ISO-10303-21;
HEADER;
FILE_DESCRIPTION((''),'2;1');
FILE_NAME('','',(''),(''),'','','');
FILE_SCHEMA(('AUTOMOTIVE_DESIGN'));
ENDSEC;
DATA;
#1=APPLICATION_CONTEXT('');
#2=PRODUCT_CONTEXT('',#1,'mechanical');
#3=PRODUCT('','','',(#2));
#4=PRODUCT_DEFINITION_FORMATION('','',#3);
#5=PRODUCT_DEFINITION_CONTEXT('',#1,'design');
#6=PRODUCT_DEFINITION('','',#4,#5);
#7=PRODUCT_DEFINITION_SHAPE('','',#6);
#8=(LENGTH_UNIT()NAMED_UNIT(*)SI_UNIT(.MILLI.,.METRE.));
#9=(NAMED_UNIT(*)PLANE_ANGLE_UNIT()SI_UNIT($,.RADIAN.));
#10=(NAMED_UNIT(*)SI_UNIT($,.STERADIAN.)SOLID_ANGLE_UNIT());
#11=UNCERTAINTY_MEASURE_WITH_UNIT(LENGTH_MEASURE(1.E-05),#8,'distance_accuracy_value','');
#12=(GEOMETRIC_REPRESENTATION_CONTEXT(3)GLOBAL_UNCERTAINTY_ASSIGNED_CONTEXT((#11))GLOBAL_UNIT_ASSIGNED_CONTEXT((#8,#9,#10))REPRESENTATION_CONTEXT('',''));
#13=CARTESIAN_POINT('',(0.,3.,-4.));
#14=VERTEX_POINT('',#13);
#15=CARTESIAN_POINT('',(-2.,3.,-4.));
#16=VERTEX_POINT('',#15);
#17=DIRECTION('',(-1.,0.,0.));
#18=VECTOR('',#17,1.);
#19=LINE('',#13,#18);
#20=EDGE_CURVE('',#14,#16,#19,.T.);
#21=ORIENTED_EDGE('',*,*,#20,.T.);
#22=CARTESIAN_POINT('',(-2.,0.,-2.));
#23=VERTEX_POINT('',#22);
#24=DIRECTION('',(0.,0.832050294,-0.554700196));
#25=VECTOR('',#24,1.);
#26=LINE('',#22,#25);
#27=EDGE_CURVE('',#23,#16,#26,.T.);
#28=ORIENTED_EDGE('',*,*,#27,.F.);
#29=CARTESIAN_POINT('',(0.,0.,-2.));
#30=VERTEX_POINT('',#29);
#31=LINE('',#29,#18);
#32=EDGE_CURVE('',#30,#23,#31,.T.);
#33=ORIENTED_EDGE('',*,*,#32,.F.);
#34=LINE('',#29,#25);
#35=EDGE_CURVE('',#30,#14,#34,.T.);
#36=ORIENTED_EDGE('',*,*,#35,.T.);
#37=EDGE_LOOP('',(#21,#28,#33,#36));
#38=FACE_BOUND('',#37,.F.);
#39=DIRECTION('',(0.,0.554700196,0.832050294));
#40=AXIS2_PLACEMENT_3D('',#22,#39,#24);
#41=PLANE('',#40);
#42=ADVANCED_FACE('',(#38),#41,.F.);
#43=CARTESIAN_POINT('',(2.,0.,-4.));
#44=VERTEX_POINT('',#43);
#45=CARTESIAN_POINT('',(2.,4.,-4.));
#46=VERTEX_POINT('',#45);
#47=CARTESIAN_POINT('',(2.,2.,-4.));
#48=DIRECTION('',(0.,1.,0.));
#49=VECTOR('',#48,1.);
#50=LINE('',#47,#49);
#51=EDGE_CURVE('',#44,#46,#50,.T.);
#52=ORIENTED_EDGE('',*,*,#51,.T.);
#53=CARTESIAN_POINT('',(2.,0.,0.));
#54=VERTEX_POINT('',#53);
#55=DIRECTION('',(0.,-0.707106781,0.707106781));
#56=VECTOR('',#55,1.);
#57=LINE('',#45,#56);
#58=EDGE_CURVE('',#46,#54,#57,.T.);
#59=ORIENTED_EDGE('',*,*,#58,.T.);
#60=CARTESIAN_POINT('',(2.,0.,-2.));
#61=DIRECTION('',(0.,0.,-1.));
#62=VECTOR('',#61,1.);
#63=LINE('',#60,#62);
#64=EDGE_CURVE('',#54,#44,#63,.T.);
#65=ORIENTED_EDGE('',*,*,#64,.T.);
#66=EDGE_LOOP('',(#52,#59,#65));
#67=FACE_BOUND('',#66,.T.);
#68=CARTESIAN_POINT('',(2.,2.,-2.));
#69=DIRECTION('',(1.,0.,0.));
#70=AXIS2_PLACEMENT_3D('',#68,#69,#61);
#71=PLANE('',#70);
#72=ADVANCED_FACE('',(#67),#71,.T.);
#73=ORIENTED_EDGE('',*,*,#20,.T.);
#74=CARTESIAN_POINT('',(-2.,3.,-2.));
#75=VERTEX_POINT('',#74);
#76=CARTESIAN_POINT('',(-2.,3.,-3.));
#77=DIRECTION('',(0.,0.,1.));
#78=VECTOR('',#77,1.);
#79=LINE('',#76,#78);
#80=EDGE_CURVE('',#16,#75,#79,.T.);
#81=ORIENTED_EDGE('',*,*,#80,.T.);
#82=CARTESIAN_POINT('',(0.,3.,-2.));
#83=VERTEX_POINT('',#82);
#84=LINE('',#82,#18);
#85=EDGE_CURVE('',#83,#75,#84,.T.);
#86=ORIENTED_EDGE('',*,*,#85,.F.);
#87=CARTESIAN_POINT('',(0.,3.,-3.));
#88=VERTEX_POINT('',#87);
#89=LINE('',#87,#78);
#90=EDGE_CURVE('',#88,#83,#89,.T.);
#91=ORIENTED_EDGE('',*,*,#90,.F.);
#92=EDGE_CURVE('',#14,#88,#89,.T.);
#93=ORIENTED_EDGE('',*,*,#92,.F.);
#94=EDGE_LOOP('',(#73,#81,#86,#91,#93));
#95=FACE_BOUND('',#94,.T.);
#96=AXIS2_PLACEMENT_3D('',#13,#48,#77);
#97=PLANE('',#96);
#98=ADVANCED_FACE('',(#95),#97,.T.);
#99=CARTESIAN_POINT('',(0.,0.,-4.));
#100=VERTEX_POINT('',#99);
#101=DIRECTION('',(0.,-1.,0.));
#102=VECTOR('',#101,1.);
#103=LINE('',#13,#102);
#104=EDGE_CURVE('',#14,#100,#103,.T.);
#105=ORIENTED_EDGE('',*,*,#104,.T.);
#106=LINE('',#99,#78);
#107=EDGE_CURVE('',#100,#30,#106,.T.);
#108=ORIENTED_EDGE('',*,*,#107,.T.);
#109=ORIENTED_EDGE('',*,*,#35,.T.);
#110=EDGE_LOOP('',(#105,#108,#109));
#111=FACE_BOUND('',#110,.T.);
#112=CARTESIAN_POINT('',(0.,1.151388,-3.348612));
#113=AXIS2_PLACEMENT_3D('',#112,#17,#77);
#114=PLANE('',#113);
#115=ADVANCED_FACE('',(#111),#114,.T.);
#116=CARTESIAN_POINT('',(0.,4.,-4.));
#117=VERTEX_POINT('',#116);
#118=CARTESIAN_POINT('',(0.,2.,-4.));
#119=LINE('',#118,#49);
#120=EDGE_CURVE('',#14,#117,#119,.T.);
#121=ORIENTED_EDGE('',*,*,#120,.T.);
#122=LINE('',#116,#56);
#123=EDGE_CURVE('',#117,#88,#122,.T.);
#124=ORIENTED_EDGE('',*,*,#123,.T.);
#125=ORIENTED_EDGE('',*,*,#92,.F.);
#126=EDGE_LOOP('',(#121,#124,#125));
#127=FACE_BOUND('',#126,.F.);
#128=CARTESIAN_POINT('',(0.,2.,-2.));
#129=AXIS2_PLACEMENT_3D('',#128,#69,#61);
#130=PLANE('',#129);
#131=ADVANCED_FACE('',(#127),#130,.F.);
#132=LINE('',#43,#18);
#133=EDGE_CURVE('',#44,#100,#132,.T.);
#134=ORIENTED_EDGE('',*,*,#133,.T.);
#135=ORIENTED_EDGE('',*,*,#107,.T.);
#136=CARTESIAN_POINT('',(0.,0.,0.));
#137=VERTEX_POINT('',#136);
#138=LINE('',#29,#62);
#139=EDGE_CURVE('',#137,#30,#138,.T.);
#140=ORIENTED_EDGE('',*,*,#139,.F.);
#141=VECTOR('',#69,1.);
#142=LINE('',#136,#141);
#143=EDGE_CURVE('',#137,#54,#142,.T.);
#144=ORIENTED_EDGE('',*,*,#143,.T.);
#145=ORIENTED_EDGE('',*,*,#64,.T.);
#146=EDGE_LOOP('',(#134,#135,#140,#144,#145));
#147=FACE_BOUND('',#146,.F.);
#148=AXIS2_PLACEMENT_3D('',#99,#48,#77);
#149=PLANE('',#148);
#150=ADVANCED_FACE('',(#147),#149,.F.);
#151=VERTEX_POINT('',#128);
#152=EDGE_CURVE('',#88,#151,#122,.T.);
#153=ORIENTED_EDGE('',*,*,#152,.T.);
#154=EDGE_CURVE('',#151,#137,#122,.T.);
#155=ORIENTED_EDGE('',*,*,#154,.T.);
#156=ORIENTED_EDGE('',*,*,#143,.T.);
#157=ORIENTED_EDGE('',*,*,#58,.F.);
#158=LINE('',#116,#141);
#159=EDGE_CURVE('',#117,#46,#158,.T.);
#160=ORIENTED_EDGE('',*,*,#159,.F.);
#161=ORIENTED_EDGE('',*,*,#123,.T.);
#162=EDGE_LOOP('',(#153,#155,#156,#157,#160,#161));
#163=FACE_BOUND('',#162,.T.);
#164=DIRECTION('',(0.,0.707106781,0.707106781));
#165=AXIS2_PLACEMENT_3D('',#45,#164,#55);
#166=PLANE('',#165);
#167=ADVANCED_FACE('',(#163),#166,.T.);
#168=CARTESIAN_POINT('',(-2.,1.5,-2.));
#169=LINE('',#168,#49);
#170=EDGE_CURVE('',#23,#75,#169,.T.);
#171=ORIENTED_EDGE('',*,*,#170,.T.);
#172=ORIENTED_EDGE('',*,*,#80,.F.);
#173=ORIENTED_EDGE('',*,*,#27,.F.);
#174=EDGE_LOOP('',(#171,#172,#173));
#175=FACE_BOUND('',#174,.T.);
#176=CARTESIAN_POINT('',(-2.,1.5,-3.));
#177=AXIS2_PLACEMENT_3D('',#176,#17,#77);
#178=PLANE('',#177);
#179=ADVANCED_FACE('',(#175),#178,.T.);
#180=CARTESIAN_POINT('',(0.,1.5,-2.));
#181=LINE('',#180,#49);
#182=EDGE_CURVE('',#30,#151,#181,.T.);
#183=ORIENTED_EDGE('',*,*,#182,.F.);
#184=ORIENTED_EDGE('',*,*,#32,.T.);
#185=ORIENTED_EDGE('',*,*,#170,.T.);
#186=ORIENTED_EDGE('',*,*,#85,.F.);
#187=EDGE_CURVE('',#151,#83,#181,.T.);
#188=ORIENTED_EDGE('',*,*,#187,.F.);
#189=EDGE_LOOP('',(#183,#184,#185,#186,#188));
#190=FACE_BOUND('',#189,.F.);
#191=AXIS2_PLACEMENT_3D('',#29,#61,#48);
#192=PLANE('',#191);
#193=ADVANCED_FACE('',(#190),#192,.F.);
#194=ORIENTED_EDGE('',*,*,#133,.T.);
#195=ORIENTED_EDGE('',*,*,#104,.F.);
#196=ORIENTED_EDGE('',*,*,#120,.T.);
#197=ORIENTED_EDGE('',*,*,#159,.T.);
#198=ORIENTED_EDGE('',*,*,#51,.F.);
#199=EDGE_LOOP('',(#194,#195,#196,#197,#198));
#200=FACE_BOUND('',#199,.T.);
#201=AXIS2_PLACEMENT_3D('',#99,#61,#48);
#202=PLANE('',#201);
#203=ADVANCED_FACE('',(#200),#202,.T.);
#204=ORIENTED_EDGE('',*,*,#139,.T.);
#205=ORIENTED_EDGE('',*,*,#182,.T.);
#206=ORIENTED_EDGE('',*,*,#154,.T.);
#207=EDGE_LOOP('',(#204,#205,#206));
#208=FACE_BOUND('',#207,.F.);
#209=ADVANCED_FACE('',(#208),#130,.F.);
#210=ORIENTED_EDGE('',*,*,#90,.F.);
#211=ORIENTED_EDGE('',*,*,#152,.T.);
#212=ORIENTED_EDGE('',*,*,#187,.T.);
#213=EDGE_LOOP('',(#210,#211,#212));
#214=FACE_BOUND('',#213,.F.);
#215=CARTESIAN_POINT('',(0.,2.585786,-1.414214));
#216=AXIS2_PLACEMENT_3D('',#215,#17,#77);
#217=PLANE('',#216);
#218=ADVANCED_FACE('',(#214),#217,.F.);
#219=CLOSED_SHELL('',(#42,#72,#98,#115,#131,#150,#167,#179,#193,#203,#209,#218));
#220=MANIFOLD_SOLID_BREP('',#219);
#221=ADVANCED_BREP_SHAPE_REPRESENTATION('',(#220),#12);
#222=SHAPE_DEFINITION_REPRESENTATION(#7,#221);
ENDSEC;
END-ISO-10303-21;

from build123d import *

# Parameters (mm, degrees)
SKETCH1_W           = 4
SKETCH1_H           = 4
BOSS_EXTRUDE1_DEPTH = 2
SKETCH2_W           = 2
SKETCH2_H           = 3
BOSS_EXTRUDE2_DEPTH = 2
CUT_EXTRUDE1_DEPTH  = 2
CUT_EXTRUDE2_DEPTH  = 2


with BuildPart() as part:
    # Sketch1 → Boss-Extrude1 (new body)
    with BuildSketch(Plane(origin=(0, 0, 0), x_dir=(0, 0, -1), z_dir=(1, 0, 0))):
        with Locations((2, 2)):
            Rectangle(SKETCH1_W, SKETCH1_H)
    extrude(amount=BOSS_EXTRUDE1_DEPTH)

    # Sketch2 → Boss-Extrude2 (add)
    with BuildSketch(Plane.ZY):
        with Locations((-3, 1.5)):
            Rectangle(SKETCH2_W, SKETCH2_H)
    extrude(amount=BOSS_EXTRUDE2_DEPTH)

    # Sketch3 → Cut-Extrude1 (cut)
    with BuildSketch(Plane.ZY.offset(2)):
        Polygon((-2, 0), (-4, 3), (-4, 0), align=None)
    extrude(amount=-CUT_EXTRUDE1_DEPTH, mode=Mode.SUBTRACT)

    # Sketch4 → Cut-Extrude2 (cut)
    with BuildSketch(Plane(origin=(2, 0, 0), x_dir=(0, 0, -1), z_dir=(1, 0, 0))):
        Polygon((4, 4), (0, 0), (0, 4), align=None)
    extrude(amount=-CUT_EXTRUDE2_DEPTH, mode=Mode.SUBTRACT)


solid = part.part
